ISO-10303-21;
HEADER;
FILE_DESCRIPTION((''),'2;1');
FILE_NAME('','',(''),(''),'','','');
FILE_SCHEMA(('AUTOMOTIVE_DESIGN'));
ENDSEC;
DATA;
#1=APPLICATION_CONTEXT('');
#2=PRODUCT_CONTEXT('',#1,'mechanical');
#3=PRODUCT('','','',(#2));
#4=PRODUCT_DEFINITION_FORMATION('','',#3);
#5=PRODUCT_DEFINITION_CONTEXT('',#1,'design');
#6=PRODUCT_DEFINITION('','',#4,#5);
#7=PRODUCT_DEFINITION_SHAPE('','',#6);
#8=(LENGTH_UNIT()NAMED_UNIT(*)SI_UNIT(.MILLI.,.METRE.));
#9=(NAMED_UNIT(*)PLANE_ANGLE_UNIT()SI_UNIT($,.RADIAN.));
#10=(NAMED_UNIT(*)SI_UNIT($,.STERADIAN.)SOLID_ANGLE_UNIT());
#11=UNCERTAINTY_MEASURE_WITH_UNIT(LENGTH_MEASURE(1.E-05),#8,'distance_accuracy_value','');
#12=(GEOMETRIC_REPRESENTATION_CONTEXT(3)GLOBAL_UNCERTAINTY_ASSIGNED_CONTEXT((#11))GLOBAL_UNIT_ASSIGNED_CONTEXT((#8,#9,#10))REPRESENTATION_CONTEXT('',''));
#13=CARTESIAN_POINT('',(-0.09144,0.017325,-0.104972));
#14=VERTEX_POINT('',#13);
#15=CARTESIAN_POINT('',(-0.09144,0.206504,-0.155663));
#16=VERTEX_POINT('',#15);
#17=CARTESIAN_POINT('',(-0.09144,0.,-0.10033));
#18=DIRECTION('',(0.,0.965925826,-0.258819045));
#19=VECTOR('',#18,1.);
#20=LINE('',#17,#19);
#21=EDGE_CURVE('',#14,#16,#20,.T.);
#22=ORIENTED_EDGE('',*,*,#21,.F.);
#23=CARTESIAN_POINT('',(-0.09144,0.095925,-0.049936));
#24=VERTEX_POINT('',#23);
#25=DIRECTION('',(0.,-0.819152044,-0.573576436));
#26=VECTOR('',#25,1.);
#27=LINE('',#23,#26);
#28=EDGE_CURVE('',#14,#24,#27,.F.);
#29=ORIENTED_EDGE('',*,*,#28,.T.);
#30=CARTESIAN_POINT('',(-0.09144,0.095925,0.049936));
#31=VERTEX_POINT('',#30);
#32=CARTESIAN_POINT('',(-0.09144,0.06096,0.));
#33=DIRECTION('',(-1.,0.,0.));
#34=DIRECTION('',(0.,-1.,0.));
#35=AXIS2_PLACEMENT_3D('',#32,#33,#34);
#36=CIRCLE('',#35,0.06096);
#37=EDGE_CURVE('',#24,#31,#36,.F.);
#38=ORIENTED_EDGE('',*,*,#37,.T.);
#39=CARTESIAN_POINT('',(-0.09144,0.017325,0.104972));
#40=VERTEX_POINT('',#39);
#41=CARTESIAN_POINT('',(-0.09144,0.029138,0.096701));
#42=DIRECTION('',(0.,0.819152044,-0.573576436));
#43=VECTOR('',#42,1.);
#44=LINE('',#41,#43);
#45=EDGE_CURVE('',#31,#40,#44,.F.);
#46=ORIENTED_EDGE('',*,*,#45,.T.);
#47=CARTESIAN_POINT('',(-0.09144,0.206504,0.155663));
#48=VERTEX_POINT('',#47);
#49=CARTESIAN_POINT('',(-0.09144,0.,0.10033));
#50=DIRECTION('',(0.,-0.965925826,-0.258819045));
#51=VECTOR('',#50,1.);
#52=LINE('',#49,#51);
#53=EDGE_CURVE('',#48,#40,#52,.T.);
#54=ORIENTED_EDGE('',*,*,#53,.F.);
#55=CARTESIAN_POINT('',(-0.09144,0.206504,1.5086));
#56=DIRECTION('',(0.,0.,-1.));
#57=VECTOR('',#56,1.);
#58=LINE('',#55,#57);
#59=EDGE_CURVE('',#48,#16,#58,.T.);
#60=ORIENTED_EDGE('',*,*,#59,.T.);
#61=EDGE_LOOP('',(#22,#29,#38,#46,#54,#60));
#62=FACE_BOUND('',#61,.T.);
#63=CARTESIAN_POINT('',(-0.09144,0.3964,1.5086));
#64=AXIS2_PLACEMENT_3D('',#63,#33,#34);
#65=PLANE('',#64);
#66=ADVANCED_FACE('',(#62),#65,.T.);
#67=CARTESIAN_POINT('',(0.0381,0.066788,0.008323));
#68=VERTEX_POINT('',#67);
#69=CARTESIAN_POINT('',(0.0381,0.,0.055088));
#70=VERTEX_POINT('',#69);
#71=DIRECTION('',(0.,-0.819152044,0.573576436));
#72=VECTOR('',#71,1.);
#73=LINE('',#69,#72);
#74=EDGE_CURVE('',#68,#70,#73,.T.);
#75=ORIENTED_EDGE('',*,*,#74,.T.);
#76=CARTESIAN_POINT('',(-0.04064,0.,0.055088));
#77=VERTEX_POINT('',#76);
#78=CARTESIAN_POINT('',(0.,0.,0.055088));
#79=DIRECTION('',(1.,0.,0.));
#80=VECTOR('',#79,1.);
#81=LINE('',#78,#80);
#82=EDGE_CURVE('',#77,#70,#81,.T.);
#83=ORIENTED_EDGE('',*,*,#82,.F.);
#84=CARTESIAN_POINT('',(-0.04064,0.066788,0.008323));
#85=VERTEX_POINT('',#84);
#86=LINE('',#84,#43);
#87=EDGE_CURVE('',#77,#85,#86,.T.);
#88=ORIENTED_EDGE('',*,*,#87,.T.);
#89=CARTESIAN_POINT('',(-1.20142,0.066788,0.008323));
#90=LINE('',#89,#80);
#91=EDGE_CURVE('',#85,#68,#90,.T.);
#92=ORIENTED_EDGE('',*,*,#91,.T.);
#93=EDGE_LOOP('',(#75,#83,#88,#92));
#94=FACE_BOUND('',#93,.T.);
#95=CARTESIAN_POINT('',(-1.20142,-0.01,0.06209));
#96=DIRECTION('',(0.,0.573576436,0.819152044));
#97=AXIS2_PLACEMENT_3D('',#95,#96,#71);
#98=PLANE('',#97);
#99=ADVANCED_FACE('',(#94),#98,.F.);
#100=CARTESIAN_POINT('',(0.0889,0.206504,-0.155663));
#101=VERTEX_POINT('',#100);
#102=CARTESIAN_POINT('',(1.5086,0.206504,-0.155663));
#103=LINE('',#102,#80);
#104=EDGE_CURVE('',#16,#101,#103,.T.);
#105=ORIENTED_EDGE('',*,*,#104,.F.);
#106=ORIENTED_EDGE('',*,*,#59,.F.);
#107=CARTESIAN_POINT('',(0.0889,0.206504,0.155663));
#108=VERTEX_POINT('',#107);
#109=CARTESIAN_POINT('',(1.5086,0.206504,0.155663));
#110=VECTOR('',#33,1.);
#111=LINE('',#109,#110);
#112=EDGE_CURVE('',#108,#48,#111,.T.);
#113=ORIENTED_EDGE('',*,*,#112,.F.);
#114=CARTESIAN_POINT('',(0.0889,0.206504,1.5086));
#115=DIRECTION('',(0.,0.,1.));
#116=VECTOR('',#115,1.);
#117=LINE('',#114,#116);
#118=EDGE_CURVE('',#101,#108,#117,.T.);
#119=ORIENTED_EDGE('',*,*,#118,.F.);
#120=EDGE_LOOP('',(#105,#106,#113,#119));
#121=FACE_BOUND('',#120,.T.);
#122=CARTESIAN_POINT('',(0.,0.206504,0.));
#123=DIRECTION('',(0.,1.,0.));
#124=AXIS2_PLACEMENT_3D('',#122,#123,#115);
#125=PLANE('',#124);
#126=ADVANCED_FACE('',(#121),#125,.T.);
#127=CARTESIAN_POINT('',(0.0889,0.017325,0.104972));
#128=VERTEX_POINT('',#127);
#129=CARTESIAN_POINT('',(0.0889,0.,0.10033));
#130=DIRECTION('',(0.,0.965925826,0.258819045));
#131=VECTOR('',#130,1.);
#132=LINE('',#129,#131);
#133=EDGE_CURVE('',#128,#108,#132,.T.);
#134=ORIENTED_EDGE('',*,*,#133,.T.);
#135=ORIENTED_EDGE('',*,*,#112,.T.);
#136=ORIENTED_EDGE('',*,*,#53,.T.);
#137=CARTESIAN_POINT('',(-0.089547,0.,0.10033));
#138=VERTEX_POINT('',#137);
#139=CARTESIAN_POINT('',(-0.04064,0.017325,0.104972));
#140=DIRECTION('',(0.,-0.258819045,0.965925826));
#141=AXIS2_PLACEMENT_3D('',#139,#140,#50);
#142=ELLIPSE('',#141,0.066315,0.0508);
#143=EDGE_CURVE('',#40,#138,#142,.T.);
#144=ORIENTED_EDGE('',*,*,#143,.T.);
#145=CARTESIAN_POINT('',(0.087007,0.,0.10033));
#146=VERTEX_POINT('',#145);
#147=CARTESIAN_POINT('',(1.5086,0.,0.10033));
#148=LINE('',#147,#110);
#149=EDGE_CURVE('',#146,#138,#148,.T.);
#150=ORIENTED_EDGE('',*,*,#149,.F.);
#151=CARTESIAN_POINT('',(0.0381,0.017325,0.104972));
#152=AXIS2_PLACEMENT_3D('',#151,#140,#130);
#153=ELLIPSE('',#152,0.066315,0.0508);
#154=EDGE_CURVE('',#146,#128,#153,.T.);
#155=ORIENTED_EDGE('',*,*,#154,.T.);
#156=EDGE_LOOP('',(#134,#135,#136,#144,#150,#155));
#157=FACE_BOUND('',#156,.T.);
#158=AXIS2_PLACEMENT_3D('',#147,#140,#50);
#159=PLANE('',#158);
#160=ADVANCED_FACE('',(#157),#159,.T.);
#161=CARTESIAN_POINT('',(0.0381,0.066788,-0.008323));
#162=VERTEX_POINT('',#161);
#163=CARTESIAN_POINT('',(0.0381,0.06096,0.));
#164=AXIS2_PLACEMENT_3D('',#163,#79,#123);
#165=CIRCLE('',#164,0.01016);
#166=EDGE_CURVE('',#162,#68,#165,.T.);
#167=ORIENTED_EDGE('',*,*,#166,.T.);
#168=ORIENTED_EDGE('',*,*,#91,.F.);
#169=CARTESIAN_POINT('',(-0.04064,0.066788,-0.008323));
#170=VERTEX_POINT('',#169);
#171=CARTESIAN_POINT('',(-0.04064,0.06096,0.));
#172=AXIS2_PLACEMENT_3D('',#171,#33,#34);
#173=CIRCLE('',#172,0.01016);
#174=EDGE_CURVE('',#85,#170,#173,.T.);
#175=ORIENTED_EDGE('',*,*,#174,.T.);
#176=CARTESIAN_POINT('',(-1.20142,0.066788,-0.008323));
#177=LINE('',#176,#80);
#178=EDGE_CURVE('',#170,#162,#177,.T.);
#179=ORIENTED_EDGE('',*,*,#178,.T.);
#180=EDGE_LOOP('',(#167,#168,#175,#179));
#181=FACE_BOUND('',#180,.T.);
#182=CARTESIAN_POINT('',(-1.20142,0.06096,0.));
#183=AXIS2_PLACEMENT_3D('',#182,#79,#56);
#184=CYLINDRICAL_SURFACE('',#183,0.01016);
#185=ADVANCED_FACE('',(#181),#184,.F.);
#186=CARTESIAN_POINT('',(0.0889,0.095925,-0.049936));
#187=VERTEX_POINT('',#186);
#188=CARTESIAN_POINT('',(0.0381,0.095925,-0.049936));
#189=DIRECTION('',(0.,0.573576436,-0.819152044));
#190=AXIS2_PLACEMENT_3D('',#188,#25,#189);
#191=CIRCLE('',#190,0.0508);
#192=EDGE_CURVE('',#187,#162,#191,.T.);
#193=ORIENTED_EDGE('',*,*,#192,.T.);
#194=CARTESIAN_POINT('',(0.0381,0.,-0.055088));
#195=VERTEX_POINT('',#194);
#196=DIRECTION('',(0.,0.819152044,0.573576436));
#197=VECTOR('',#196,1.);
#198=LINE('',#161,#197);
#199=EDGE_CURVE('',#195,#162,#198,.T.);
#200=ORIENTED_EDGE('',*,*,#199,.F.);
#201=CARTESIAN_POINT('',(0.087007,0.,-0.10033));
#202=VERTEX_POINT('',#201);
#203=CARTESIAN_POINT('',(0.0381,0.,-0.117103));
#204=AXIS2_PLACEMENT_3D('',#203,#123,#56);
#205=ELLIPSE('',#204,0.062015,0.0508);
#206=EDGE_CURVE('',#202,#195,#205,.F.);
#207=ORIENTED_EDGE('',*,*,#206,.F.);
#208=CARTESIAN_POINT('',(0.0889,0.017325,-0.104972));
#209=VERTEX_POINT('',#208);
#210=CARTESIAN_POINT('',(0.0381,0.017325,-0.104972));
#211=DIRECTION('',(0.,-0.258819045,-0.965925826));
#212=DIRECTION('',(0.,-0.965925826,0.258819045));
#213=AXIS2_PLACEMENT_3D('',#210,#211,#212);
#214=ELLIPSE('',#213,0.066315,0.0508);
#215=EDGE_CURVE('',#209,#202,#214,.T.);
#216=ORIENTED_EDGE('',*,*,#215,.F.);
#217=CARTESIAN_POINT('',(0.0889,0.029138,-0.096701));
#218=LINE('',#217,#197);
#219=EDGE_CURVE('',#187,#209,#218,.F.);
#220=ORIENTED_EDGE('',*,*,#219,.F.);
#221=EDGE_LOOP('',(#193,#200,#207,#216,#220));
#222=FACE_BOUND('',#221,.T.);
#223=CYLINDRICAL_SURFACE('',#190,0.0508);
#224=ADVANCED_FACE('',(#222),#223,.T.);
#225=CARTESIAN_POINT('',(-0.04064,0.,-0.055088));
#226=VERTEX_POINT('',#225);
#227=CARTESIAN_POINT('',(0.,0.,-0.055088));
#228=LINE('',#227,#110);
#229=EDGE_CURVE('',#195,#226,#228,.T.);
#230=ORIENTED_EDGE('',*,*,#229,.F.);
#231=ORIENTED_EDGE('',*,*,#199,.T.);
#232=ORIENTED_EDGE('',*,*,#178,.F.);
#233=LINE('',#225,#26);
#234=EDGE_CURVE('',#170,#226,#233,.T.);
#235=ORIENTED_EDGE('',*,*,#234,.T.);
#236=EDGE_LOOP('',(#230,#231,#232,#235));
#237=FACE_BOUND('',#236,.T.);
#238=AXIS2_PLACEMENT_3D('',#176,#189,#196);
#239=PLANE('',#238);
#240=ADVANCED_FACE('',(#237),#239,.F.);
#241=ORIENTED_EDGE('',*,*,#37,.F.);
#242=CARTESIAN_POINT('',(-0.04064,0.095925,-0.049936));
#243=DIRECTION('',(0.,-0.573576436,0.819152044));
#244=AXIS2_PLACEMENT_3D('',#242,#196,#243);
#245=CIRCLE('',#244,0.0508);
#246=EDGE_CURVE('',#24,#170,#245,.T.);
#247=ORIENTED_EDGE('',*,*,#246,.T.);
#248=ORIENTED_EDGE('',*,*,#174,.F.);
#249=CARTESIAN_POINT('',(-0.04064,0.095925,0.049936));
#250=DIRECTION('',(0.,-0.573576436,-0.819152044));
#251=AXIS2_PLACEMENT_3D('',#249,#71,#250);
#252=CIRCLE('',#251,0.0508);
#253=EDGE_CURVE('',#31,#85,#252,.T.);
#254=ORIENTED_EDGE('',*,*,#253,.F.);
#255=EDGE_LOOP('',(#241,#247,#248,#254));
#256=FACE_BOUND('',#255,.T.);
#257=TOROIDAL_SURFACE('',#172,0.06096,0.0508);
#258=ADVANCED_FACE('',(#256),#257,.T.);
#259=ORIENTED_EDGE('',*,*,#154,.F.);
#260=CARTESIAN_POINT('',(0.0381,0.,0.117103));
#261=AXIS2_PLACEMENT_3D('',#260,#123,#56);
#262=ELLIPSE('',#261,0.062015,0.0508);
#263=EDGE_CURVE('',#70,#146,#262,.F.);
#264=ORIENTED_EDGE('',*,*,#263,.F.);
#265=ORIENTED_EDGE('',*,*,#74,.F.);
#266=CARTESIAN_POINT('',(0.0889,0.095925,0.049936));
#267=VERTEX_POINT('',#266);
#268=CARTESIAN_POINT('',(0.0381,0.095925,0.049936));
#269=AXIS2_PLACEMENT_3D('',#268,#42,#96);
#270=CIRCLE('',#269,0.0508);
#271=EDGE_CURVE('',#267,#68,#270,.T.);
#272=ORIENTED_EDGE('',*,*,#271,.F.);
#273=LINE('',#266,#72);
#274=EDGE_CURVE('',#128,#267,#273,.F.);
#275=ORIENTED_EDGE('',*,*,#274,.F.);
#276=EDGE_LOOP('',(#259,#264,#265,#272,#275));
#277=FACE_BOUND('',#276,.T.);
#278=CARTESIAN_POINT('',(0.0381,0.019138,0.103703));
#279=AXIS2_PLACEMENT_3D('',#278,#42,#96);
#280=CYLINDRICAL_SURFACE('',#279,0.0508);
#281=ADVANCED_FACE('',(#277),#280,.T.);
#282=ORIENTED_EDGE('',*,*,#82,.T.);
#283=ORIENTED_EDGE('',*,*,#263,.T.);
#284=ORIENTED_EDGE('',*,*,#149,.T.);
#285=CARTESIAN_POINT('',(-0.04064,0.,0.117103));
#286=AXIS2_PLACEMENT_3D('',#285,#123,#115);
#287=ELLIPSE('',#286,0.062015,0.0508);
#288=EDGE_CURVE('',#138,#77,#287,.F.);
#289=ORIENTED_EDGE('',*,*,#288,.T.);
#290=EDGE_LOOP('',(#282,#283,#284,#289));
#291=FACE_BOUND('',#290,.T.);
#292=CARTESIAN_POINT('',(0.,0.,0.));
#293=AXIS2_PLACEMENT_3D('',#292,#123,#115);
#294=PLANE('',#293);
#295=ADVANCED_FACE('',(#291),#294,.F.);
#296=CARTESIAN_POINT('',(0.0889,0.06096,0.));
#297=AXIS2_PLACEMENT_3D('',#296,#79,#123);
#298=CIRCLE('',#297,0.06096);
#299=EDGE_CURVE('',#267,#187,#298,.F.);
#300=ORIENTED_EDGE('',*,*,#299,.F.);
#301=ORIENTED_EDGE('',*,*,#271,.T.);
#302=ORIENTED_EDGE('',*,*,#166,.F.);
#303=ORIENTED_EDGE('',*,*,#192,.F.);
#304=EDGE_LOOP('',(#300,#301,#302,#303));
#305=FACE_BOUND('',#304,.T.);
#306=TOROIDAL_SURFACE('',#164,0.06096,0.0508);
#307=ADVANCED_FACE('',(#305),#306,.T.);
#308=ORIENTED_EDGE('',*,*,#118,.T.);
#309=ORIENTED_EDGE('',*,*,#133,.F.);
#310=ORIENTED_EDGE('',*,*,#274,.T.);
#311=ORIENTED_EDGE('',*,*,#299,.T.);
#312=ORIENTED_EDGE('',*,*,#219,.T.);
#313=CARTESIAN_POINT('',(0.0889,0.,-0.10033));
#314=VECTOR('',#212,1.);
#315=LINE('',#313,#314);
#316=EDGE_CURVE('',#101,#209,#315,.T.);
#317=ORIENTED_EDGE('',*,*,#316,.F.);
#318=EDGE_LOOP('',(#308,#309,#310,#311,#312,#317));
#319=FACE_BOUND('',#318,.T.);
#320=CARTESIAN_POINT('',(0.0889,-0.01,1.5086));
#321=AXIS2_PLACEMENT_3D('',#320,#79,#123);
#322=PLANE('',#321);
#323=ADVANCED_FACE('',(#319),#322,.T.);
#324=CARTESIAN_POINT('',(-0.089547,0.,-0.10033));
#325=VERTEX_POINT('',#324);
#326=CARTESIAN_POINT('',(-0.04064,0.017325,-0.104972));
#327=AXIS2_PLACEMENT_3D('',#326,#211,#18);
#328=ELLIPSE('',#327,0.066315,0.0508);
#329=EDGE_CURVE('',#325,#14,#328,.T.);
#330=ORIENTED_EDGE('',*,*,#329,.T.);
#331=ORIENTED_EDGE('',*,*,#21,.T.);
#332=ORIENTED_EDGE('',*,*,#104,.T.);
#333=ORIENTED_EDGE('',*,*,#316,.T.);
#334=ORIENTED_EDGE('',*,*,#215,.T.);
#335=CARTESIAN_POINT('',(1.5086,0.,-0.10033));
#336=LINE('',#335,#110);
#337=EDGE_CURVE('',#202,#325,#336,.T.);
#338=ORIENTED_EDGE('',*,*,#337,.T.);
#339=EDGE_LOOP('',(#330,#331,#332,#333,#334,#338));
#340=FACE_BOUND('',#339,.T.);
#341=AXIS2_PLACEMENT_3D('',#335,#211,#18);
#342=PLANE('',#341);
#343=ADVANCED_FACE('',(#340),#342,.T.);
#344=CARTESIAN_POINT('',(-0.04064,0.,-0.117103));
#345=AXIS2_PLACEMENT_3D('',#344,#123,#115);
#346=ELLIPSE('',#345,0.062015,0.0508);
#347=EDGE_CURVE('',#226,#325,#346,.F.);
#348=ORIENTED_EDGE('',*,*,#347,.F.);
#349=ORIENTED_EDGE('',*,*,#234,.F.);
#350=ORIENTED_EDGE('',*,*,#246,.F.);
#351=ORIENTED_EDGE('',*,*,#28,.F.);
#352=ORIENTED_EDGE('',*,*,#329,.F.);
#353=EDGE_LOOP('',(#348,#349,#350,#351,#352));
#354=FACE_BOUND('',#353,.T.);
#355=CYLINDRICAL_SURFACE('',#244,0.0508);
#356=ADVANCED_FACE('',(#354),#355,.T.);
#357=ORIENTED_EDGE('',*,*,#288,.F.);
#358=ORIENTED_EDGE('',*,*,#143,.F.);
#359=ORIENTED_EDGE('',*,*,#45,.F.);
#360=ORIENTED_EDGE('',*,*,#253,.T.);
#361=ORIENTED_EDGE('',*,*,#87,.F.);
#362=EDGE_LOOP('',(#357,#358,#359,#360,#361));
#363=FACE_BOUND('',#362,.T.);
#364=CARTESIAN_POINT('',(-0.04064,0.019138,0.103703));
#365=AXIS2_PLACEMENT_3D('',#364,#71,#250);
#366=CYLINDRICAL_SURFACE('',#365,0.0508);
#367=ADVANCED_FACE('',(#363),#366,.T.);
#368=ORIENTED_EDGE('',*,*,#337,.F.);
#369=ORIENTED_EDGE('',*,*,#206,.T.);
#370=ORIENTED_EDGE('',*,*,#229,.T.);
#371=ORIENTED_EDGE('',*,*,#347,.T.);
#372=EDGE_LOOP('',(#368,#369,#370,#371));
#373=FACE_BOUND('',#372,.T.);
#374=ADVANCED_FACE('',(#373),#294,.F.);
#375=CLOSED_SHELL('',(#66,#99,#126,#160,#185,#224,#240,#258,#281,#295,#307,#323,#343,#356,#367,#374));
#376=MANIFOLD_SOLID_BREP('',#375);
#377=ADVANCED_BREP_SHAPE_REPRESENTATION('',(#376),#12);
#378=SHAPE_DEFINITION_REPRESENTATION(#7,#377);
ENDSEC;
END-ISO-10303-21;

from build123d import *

# Parameters (mm, degrees)
SKETCH_TL_CUTTING_R    = 1.4986
TL_CUTTING_DEPTH       = 29.999999944
SKETCH_TDF_CUTTING_W   = 3.01719996
SKETCH_TDF_CUTTING_H   = 3.01719996
TDF_CUTTING_DEPTH      = 31.074766841
VW_VR_GRINDING_DEPTH   = 1.50859998
VW_VR_GRINDING_2_DEPTH = 1.50859998
ISA_GRINDING_DEPTH     = 1.50859998
SKETCH_PRE_FRX_BRX_W   = 1.39970002
SKETCH_PRE_FRX_BRX_H   = 0.4064
SKETCH_PRE_FRX_BRX_W_2 = 1.42715996
PRE_FRX_BRX_DEPTH      = 1.50859998
FA_BA_GRINDING_DEPTH   = 1.50859998
BR_EDM_R               = 0.0508
FR_EDM_R               = 0.0508


with BuildPart() as part:
    # sketch_TL_cutting → TL_cutting (new body)
    with BuildSketch(Plane(origin=(0, 0, 0), x_dir=(1, 0, 0), z_dir=(0, 1, 0))):
        with Locations(Location((0, 0, 0), (0, 0, 270))):
            Circle(SKETCH_TL_CUTTING_R)
    extrude(amount=TL_CUTTING_DEPTH)

    # sketch_TDF_cutting → TDF_cutting (cut, through all)
    with BuildSketch(Plane(origin=(0, 0, 0), x_dir=(1, 0, 0), z_dir=(0, 1, 0))):
        with Locations((-2.71001998, 0)):
            Rectangle(SKETCH_TDF_CUTTING_W, SKETCH_TDF_CUTTING_H)
    extrude(amount=TDF_CUTTING_DEPTH, mode=Mode.SUBTRACT)


with BuildPart() as body_2:
    # sketch_VW_VR_grinding → VW_VR_grinding (new, symmetric)
    with BuildSketch(Plane(origin=(0, 0, 0), x_dir=(0, 0, -1), z_dir=(1, 0, 0))):
        with BuildLine():
            Line((-1.49360001, -0.00999998), (-1.49360001, 0.395288914))
            ThreePointArc((-1.49360001, 0.395288914), (-1.493648337, 0.396395792), (-1.493792952, 0.397494246))
            Line((-1.493792952, 0.397494246), (-1.51859996, 0.538181782))
            Line((-1.51859996, 0.538181782), (-1.50859998, -0.00999998))
            Line((-1.50859998, -0.00999998), (-1.49360001, -0.00999998))
        make_face()
    extrude(amount=VW_VR_GRINDING_DEPTH, both=True)


with BuildPart() as body_3:
    # sketch_VW_VR_grinding → VW_VR_grinding 2 (new, symmetric)
    with BuildSketch(Plane(origin=(0, 0, 0), x_dir=(0, 0, -1), z_dir=(1, 0, 0))):
        with BuildLine():
            Line((1.49360001, -0.00999998), (1.49360001, 0.395288914))
            ThreePointArc((1.49360001, 0.395288914), (1.493648337, 0.396395792), (1.493792952, 0.397494246))
            Line((1.493792952, 0.397494246), (1.51859996, 0.538181782))
            Line((1.51859996, 0.538181782), (1.50859998, -0.00999998))
            Line((1.50859998, -0.00999998), (1.49360001, -0.00999998))
        make_face()
    extrude(amount=VW_VR_GRINDING_2_DEPTH, both=True)


    add(body_2.part)  # ISA_grinding merges body 2
    # sketch_ISA_grinding → ISA_grinding (add, symmetric)
    with BuildSketch(Plane(origin=(0, 0, 0), x_dir=(0, 0, -1), z_dir=(1, 0, 0))):
        Polygon((-0.10033, 0), (0.10033, 0), (1.50859998, 5.255735116), (1.50859998, -0.02999994), (-1.50859998, -0.02999994), (-1.50859998, 5.255735116), align=None)
    extrude(amount=ISA_GRINDING_DEPTH, both=True)

    # sketch_pre_FRX_BRX → pre_FRX_BRX (add, symmetric)
    with BuildSketch(Plane.XY):
        with Locations((0.79874999, 0.19320002)):
            Rectangle(SKETCH_PRE_FRX_BRX_W, SKETCH_PRE_FRX_BRX_H)
        with Locations((-0.80501998, 0.19320002)):
            Rectangle(SKETCH_PRE_FRX_BRX_W_2, SKETCH_PRE_FRX_BRX_H)
    extrude(amount=PRE_FRX_BRX_DEPTH, both=True)

    # sketch_FA_BA_grinding → FA_BA_grinding (add, symmetric)
    with BuildSketch(Plane.XY):
        Polygon((0.0889, -0.00999998), (0.0889, 0.4064), (1.6256, 11.340588652), (1.6256, -0.00999998), align=None)
        Polygon((-0.09144, -0.00999998), (-0.09144, 0.4064), (-1.32842, 9.207970039), (-1.32842, -0.00999998), align=None)
    extrude(amount=FA_BA_GRINDING_DEPTH, both=True)


with BuildPart() as part_1:
    add(part.part)

    # B1_fix: cut body 3
    add(body_3.part, mode=Mode.SUBTRACT)

    # V-Groove_EDM: sweep along a path in sketch_contour_V-Groove
    with BuildLine(Plane.XY) as v_groove_edm_path:
        Line((-1.20142, 0.07112), (1.4986, 0.07112))
    # sketch_section_V-Groove → V-Groove_EDM (sweep, cut)
    with BuildSketch(Plane(origin=(-1.20142, 0, -1.2954), x_dir=(0, 0, -1), z_dir=(1, 0, 0))):
        with BuildLine():
            Line((-1.287077415, 0.066787537), (-1.233310217, -0.00999998))
            Line((-1.233310217, -0.00999998), (-1.357489783, -0.00999998))
            Line((-1.357489783, -0.00999998), (-1.303722585, 0.066787537))
            ThreePointArc((-1.303722585, 0.066787537), (-1.2954, 0.07112), (-1.287077415, 0.066787537))
        make_face()
    sweep(path=v_groove_edm_path.line, mode=Mode.SUBTRACT)

    # BR_EDM
    br_edm_edges = [part_1.edges().sort_by_distance(p)[0] for p in [
        (-0.09144, 0.07112, 0),
        (-0.09144, 0.033393768, -0.031705153),
        (-0.09144, 0.033393768, 0.031705153),
    ]]
    fillet(br_edm_edges, radius=BR_EDM_R)

    # FR_EDM
    fr_edm_edges = [part_1.edges().sort_by_distance(p)[0] for p in [
        (0.0889, 0.033393768, -0.031705153),
        (0.0889, 0.033393768, 0.031705153),
        (0.0889, 0.07112, 0),
    ]]
    fillet(fr_edm_edges, radius=FR_EDM_R)

    # SurfaceCut1
    split(bisect_by=Plane(origin=(0, 0.206504065, 0), x_dir=(1, 0, 0), z_dir=(0, 1, 0)), keep=Keep.BOTTOM)


solid = part_1.part
